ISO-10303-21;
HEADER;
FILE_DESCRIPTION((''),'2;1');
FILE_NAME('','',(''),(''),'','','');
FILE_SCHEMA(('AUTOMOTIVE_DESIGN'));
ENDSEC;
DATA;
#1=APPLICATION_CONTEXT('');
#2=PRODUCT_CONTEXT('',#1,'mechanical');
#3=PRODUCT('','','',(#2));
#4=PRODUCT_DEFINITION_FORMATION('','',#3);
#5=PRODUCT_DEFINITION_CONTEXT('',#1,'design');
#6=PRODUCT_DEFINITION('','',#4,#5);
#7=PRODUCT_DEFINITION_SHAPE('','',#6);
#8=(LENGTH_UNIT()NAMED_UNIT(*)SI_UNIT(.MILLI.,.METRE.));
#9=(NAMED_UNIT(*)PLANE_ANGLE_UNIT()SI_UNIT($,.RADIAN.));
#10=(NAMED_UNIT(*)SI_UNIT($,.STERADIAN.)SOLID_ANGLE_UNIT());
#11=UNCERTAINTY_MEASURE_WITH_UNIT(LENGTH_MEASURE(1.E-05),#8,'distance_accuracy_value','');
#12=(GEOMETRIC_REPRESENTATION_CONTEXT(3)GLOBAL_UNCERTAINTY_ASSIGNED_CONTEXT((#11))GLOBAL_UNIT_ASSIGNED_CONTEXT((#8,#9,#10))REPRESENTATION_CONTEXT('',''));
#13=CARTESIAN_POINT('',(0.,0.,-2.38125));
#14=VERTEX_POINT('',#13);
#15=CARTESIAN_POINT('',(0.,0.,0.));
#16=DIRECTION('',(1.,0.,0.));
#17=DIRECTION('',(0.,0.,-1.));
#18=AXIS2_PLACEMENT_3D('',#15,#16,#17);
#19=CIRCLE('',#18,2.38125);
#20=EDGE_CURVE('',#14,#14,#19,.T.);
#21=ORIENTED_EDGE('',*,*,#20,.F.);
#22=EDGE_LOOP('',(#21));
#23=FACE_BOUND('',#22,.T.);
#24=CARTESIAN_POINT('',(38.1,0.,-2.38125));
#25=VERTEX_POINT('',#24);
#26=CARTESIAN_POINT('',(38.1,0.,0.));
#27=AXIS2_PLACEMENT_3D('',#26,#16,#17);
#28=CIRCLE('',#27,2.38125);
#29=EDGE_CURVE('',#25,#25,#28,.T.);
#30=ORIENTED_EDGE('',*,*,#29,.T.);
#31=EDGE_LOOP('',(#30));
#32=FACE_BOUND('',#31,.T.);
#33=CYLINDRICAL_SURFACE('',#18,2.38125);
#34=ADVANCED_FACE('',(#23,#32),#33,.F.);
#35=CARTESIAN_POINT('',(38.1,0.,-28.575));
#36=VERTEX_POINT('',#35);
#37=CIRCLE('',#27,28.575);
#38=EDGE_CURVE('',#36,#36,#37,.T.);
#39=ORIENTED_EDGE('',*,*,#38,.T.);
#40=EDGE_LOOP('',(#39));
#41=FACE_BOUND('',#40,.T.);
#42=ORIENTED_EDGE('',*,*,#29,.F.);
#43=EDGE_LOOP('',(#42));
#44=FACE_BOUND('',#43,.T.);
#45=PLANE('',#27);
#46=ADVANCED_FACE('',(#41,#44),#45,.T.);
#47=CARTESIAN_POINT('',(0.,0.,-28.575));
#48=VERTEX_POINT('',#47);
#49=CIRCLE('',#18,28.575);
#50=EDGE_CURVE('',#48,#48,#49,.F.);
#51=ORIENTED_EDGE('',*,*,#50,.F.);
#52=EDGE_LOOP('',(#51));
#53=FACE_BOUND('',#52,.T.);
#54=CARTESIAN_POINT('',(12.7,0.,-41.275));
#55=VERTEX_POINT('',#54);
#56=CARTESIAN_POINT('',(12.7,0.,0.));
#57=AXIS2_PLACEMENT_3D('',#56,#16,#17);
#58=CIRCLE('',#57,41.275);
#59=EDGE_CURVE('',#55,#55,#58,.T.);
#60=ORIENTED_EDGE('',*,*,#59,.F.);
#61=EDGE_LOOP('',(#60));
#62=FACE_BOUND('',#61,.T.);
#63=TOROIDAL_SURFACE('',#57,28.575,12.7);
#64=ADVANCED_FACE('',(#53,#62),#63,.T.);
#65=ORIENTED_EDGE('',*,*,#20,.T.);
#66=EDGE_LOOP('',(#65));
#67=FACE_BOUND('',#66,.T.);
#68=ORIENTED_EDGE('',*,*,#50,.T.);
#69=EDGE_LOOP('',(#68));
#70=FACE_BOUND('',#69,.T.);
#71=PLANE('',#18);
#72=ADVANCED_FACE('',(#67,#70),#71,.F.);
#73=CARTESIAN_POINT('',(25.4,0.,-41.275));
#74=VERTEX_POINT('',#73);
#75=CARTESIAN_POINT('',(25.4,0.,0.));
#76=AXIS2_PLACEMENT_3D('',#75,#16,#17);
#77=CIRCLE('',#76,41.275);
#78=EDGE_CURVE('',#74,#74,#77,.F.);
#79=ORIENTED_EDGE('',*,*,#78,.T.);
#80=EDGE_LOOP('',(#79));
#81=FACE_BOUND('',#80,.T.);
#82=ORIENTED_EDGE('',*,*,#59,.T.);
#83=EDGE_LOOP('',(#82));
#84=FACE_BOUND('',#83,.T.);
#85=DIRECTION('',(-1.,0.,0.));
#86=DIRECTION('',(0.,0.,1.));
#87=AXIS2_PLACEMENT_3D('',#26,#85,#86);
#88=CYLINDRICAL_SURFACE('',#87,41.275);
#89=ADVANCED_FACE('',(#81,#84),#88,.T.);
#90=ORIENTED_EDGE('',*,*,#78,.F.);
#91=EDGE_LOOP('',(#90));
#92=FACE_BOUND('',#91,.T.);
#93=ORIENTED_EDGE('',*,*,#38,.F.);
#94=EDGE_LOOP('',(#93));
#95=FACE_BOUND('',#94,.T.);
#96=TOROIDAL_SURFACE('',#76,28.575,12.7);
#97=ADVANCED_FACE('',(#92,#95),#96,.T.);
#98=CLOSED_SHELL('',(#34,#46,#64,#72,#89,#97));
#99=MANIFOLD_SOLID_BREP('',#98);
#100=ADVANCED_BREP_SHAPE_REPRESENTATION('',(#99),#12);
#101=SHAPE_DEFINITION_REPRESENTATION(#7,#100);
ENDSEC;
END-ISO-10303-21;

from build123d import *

# Parameters (mm, degrees)
SKETCH1_R           = 41.275
BOSS_EXTRUDE1_DEPTH = 38.1
SKETCH2_R           = 2.38125
CUT_EXTRUDE1_DEPTH  = 39.1
FILLET1_R           = 12.7


with BuildPart() as part:
    # Sketch1 → Boss-Extrude1 (new body)
    with BuildSketch(Plane(origin=(0, 0, 0), x_dir=(0, 0, -1), z_dir=(1, 0, 0))):
        Circle(SKETCH1_R)
    extrude(amount=BOSS_EXTRUDE1_DEPTH)

    # Sketch2 → Cut-Extrude1 (cut, through all)
    with BuildSketch(Plane(origin=(38.1, 0, 0), x_dir=(0, 0, -1), z_dir=(1, 0, 0))):
        Circle(SKETCH2_R)
    extrude(amount=-CUT_EXTRUDE1_DEPTH, mode=Mode.SUBTRACT)

    # Fillet1
    fillet1_edges = [part.edges().sort_by_distance(p)[0] for p in [
        (0, 0, 41.275),
        (38.1, 0, 41.275),
    ]]
    fillet(fillet1_edges, radius=FILLET1_R)


solid = part.part
